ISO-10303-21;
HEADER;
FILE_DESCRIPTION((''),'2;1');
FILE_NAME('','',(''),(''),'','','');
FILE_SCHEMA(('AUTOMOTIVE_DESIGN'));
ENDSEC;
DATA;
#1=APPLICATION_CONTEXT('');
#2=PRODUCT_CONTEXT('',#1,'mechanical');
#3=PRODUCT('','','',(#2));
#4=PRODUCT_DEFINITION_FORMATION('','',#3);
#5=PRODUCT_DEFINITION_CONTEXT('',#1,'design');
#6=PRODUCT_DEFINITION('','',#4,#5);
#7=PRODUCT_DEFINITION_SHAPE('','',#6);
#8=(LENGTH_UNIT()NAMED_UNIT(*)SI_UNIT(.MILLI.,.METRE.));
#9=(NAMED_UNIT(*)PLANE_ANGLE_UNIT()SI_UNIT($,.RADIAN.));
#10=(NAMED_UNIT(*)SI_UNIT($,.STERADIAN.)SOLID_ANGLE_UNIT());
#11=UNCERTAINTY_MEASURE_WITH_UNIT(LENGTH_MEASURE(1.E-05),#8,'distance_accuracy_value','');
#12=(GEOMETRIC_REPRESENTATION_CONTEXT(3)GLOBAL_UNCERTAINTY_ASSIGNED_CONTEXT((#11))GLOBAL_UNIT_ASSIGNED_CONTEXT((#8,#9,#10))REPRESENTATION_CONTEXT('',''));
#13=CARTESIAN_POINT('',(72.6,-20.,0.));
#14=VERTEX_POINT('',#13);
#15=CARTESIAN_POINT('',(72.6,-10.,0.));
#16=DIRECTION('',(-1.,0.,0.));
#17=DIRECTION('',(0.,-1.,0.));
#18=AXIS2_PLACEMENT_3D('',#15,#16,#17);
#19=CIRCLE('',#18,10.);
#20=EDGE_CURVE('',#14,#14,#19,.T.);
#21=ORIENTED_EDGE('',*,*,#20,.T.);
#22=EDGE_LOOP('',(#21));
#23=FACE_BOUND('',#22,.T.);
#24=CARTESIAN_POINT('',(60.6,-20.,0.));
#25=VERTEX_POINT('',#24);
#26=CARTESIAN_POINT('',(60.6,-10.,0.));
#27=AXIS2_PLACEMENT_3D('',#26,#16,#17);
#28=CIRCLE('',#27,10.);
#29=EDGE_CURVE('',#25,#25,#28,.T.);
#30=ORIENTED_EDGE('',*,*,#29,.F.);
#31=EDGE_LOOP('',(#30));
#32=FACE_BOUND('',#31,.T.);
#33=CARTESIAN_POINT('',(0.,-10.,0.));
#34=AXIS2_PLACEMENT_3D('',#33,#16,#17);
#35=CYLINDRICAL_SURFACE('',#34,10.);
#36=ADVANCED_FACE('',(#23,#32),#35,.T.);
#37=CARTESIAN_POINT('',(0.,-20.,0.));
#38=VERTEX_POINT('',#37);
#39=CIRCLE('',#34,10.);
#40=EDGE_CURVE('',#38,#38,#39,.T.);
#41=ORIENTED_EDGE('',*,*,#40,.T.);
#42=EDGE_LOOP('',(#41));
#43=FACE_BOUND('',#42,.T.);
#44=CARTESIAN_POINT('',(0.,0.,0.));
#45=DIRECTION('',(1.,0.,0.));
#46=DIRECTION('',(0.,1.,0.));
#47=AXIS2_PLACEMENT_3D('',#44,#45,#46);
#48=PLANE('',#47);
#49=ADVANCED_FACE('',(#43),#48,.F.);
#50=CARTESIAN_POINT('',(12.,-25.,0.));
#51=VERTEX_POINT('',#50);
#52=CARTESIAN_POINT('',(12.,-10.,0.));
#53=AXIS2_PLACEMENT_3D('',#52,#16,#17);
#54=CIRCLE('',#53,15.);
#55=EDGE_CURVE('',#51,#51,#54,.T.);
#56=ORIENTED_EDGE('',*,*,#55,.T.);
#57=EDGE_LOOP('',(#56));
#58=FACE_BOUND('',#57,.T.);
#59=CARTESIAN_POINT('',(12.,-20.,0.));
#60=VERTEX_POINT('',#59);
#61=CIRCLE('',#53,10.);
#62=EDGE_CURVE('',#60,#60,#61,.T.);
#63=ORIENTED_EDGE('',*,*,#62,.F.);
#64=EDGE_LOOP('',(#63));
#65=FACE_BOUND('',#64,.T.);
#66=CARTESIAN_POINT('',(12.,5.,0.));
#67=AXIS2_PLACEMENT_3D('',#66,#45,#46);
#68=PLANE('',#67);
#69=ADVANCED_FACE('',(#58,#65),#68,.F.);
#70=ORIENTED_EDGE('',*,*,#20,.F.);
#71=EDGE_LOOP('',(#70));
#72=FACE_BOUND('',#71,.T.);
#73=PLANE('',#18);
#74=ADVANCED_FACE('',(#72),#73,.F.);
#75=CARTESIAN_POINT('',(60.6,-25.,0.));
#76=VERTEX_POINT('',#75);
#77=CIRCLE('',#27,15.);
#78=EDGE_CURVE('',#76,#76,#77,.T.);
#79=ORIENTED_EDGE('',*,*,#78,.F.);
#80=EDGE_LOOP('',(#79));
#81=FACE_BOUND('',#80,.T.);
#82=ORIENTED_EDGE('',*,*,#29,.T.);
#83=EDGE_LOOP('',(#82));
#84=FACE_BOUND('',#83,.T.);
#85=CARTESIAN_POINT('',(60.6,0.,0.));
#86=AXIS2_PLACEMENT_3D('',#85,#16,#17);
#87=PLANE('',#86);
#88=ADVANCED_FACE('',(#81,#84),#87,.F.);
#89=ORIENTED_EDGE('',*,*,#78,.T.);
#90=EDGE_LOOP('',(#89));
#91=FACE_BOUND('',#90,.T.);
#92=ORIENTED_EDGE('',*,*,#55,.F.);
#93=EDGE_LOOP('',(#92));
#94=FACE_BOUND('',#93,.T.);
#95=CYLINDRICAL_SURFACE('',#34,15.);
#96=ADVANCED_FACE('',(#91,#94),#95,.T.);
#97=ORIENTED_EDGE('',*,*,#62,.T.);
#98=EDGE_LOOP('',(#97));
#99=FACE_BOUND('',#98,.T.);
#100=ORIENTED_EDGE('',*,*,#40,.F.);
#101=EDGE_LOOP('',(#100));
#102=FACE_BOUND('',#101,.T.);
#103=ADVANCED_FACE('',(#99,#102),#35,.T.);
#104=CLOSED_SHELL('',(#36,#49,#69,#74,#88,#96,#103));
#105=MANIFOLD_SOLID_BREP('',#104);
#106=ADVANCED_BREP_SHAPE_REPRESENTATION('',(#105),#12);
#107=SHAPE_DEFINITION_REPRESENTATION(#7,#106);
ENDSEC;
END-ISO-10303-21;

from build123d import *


with BuildPart() as part:
    # Sketch1 → Revolve1 (revolve)
    with BuildSketch(Plane.XY):
        Polygon((0, 0), (0, -10), (72.6, -10), (72.6, 0), (60.6, 0), (60.6, 5), (12, 5), (12, 0), align=None)
    revolve(axis=Axis((0, -10, 0), (1, 0, 0)))


solid = part.part
